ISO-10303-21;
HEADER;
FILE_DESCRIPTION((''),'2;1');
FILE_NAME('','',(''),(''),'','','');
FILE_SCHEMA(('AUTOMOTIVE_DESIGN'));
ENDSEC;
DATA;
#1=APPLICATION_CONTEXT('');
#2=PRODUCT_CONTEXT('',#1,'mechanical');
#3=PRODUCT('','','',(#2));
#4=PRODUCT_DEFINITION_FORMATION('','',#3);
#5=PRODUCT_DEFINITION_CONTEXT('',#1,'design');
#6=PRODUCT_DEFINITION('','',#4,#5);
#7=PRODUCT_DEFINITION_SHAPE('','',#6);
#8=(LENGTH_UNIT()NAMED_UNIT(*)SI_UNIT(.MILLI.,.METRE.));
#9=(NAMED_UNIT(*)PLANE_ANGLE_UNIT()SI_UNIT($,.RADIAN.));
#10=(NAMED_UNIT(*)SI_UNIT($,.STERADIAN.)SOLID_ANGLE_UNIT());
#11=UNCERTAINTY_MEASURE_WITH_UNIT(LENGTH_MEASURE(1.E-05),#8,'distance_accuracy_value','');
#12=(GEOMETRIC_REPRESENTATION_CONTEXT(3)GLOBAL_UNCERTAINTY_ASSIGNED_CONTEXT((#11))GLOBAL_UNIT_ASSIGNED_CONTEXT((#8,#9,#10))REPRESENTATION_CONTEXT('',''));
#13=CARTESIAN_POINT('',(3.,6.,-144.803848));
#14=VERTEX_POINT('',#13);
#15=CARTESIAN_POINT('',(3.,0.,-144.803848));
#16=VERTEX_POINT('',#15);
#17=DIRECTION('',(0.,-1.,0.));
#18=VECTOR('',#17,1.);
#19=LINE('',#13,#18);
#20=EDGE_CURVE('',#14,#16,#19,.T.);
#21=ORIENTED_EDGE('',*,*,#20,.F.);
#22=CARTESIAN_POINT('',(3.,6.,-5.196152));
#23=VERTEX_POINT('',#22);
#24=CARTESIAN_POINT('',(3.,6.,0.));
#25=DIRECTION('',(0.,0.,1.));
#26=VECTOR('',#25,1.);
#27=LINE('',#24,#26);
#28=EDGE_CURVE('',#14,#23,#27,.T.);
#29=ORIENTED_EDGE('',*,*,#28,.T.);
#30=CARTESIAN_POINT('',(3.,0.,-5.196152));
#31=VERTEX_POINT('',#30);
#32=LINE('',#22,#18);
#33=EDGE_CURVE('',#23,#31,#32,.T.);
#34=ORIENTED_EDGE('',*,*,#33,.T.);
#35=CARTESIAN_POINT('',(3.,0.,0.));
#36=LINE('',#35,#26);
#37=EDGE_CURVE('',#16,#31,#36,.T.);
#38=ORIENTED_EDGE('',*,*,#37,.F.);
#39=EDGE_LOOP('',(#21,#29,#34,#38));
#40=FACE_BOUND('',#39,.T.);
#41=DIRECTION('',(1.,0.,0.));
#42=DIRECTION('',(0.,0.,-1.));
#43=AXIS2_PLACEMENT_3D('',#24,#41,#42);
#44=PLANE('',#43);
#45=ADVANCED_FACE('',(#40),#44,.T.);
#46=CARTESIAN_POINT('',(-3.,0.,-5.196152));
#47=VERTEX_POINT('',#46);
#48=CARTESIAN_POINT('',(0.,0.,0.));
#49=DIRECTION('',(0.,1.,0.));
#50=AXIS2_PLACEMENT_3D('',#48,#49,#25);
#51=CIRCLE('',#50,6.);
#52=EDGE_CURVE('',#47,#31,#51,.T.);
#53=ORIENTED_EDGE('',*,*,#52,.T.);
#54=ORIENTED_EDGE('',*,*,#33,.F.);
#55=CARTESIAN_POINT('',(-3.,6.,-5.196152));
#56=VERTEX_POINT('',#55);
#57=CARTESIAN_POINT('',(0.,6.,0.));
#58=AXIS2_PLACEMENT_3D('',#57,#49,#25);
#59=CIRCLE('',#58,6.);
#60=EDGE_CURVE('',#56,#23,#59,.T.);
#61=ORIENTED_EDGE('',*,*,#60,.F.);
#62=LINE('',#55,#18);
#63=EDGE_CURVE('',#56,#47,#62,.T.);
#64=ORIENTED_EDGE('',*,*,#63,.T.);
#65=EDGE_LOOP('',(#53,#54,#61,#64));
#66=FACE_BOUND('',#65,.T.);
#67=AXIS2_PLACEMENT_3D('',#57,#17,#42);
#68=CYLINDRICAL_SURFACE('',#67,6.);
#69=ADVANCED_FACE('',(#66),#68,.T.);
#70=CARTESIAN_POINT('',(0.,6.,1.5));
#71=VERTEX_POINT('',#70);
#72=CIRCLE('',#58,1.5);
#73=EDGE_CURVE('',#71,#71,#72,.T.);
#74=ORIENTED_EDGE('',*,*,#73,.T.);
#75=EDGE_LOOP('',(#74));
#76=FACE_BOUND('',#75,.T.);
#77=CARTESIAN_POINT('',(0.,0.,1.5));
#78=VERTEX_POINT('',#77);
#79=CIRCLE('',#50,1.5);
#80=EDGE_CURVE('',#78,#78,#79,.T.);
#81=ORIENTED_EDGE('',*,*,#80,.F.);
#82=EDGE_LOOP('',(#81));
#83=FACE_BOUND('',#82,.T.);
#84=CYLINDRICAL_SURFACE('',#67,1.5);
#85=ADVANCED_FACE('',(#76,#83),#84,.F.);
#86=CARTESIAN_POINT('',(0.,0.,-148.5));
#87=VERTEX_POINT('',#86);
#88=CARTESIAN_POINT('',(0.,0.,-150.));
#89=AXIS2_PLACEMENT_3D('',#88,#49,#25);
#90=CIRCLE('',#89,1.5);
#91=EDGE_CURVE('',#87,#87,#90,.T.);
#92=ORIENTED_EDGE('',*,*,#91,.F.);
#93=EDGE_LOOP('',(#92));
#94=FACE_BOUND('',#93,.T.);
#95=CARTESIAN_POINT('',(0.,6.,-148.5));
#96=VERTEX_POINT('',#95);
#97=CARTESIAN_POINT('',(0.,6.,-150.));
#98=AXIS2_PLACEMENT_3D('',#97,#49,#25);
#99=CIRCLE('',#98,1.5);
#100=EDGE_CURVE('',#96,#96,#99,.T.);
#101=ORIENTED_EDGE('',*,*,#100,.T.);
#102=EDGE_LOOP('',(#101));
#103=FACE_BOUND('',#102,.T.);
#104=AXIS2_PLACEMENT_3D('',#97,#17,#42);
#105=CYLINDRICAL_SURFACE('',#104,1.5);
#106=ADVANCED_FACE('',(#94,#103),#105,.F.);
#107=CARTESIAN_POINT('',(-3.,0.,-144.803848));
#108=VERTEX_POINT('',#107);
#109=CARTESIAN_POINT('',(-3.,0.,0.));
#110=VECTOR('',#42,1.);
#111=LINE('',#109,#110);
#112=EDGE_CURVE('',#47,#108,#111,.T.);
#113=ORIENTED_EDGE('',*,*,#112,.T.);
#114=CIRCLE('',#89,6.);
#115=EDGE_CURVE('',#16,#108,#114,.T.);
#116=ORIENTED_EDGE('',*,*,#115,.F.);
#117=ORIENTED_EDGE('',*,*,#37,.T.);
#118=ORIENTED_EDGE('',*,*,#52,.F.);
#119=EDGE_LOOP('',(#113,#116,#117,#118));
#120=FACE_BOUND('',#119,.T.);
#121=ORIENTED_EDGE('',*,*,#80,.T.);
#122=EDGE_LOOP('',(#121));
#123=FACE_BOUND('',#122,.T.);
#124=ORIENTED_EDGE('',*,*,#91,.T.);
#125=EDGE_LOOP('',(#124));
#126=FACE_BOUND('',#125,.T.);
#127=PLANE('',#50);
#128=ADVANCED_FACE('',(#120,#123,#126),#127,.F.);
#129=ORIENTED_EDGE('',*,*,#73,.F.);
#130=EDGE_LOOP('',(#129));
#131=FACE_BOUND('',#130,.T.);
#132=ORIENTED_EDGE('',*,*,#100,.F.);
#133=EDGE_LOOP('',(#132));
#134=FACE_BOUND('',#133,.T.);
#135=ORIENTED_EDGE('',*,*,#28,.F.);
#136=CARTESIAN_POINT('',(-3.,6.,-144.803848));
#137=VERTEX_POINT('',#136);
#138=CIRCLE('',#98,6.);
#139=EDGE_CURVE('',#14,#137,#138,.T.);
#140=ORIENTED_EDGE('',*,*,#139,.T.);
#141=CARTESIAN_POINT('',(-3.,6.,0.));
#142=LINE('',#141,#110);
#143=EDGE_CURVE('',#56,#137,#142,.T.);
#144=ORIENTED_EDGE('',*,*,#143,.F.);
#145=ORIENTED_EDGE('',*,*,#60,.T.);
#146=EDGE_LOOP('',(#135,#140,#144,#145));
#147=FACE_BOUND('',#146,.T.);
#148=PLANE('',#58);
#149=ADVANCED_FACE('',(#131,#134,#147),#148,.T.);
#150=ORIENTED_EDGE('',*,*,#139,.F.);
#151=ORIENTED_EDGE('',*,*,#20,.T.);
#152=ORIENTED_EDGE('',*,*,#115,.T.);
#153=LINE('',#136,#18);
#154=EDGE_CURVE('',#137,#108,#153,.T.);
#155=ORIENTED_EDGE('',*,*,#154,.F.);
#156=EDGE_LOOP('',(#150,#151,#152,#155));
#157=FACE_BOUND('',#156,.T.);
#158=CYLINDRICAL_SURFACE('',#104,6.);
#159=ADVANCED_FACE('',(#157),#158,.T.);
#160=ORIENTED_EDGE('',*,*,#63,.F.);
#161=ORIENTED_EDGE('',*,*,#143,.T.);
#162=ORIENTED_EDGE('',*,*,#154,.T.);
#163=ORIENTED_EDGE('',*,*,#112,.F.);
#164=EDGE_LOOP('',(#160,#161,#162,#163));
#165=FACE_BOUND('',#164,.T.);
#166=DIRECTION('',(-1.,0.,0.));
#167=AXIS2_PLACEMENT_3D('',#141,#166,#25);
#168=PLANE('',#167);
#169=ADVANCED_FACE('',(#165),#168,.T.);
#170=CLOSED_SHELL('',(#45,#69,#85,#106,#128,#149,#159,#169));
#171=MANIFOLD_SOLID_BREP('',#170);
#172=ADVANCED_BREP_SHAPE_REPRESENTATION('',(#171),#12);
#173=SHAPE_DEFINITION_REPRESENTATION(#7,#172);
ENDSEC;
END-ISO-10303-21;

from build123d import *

# Parameters (mm, degrees)
BOSS_EXTRUDE1_DEPTH = 6


with BuildPart() as part:
    # Sketch2 → Boss-Extrude1 (new body)
    with BuildSketch(Plane(origin=(0, 0, 0), x_dir=(1, 0, 0), z_dir=(0, 1, 0))):
        with BuildLine():
            ThreePointArc((1.5, 0), (0, -1.5), (-1.5, 0))
            Line((-1.5, 0), (-3, 0))
            Line((-3, 0), (-3, 5.196152423))
            ThreePointArc((-3, 5.196152423), (-3, -5.196152423), (6, 0))
            ThreePointArc((6, 0), (5.196152423, 3), (3, 5.196152423))
            Line((3, 5.196152423), (3, 0))
            Line((3, 0), (1.5, 0))
        make_face()
        with BuildLine():
            Line((0, 6), (0, 1.5))
            ThreePointArc((0, 1.5), (1.060660172, 1.060660172), (1.5, 0))
            Line((1.5, 0), (3, 0))
            Line((3, 0), (3, 5.196152423))
            ThreePointArc((3, 5.196152423), (1.552914271, 5.795554958), (0, 6))
        make_face()
        with BuildLine():
            ThreePointArc((-1.5, 0), (-1.060660172, 1.060660172), (0, 1.5))
            Line((0, 1.5), (0, 6))
            ThreePointArc((0, 6), (-1.552914271, 5.795554958), (-3, 5.196152423))
            Line((-3, 5.196152423), (-3, 0))
            Line((-3, 0), (-1.5, 0))
        make_face()
        with BuildLine():
            Line((0, 144), (0, 6))
            ThreePointArc((0, 6), (1.552914271, 5.795554958), (3, 5.196152423))
            Line((3, 5.196152423), (3, 144.803847577))
            ThreePointArc((3, 144.803847577), (1.552914271, 144.204445042), (0, 144))
        make_face()
        with BuildLine():
            ThreePointArc((-3, 5.196152423), (-1.552914271, 5.795554958), (0, 6))
            Line((0, 6), (0, 144))
            ThreePointArc((0, 144), (-1.552914271, 144.204445042), (-3, 144.803847577))
            Line((-3, 144.803847577), (-3, 5.196152423))
        make_face()
        with BuildLine():
            Line((0, 148.5), (0, 144))
            ThreePointArc((0, 144), (1.552914271, 144.204445042), (3, 144.803847577))
            Line((3, 144.803847577), (3, 150))
            Line((3, 150), (1.5, 150))
            ThreePointArc((1.5, 150), (1.060660172, 148.939339828), (0, 148.5))
        make_face()
        with BuildLine():
            ThreePointArc((-3, 144.803847577), (-1.552914271, 144.204445042), (0, 144))
            Line((0, 144), (0, 148.5))
            ThreePointArc((0, 148.5), (-1.060660172, 148.939339828), (-1.5, 150))
            Line((-1.5, 150), (-3, 150))
            Line((-3, 150), (-3, 144.803847577))
        make_face()
        with BuildLine():
            ThreePointArc((6, 150), (-3, 155.196152423), (-3, 144.803847577))
            Line((-3, 144.803847577), (-3, 150))
            Line((-3, 150), (-1.5, 150))
            ThreePointArc((-1.5, 150), (0, 151.5), (1.5, 150))
            Line((1.5, 150), (3, 150))
            Line((3, 150), (3, 144.803847577))
            ThreePointArc((3, 144.803847577), (5.196152423, 147), (6, 150))
        make_face()
    extrude(amount=BOSS_EXTRUDE1_DEPTH)


solid = part.part
